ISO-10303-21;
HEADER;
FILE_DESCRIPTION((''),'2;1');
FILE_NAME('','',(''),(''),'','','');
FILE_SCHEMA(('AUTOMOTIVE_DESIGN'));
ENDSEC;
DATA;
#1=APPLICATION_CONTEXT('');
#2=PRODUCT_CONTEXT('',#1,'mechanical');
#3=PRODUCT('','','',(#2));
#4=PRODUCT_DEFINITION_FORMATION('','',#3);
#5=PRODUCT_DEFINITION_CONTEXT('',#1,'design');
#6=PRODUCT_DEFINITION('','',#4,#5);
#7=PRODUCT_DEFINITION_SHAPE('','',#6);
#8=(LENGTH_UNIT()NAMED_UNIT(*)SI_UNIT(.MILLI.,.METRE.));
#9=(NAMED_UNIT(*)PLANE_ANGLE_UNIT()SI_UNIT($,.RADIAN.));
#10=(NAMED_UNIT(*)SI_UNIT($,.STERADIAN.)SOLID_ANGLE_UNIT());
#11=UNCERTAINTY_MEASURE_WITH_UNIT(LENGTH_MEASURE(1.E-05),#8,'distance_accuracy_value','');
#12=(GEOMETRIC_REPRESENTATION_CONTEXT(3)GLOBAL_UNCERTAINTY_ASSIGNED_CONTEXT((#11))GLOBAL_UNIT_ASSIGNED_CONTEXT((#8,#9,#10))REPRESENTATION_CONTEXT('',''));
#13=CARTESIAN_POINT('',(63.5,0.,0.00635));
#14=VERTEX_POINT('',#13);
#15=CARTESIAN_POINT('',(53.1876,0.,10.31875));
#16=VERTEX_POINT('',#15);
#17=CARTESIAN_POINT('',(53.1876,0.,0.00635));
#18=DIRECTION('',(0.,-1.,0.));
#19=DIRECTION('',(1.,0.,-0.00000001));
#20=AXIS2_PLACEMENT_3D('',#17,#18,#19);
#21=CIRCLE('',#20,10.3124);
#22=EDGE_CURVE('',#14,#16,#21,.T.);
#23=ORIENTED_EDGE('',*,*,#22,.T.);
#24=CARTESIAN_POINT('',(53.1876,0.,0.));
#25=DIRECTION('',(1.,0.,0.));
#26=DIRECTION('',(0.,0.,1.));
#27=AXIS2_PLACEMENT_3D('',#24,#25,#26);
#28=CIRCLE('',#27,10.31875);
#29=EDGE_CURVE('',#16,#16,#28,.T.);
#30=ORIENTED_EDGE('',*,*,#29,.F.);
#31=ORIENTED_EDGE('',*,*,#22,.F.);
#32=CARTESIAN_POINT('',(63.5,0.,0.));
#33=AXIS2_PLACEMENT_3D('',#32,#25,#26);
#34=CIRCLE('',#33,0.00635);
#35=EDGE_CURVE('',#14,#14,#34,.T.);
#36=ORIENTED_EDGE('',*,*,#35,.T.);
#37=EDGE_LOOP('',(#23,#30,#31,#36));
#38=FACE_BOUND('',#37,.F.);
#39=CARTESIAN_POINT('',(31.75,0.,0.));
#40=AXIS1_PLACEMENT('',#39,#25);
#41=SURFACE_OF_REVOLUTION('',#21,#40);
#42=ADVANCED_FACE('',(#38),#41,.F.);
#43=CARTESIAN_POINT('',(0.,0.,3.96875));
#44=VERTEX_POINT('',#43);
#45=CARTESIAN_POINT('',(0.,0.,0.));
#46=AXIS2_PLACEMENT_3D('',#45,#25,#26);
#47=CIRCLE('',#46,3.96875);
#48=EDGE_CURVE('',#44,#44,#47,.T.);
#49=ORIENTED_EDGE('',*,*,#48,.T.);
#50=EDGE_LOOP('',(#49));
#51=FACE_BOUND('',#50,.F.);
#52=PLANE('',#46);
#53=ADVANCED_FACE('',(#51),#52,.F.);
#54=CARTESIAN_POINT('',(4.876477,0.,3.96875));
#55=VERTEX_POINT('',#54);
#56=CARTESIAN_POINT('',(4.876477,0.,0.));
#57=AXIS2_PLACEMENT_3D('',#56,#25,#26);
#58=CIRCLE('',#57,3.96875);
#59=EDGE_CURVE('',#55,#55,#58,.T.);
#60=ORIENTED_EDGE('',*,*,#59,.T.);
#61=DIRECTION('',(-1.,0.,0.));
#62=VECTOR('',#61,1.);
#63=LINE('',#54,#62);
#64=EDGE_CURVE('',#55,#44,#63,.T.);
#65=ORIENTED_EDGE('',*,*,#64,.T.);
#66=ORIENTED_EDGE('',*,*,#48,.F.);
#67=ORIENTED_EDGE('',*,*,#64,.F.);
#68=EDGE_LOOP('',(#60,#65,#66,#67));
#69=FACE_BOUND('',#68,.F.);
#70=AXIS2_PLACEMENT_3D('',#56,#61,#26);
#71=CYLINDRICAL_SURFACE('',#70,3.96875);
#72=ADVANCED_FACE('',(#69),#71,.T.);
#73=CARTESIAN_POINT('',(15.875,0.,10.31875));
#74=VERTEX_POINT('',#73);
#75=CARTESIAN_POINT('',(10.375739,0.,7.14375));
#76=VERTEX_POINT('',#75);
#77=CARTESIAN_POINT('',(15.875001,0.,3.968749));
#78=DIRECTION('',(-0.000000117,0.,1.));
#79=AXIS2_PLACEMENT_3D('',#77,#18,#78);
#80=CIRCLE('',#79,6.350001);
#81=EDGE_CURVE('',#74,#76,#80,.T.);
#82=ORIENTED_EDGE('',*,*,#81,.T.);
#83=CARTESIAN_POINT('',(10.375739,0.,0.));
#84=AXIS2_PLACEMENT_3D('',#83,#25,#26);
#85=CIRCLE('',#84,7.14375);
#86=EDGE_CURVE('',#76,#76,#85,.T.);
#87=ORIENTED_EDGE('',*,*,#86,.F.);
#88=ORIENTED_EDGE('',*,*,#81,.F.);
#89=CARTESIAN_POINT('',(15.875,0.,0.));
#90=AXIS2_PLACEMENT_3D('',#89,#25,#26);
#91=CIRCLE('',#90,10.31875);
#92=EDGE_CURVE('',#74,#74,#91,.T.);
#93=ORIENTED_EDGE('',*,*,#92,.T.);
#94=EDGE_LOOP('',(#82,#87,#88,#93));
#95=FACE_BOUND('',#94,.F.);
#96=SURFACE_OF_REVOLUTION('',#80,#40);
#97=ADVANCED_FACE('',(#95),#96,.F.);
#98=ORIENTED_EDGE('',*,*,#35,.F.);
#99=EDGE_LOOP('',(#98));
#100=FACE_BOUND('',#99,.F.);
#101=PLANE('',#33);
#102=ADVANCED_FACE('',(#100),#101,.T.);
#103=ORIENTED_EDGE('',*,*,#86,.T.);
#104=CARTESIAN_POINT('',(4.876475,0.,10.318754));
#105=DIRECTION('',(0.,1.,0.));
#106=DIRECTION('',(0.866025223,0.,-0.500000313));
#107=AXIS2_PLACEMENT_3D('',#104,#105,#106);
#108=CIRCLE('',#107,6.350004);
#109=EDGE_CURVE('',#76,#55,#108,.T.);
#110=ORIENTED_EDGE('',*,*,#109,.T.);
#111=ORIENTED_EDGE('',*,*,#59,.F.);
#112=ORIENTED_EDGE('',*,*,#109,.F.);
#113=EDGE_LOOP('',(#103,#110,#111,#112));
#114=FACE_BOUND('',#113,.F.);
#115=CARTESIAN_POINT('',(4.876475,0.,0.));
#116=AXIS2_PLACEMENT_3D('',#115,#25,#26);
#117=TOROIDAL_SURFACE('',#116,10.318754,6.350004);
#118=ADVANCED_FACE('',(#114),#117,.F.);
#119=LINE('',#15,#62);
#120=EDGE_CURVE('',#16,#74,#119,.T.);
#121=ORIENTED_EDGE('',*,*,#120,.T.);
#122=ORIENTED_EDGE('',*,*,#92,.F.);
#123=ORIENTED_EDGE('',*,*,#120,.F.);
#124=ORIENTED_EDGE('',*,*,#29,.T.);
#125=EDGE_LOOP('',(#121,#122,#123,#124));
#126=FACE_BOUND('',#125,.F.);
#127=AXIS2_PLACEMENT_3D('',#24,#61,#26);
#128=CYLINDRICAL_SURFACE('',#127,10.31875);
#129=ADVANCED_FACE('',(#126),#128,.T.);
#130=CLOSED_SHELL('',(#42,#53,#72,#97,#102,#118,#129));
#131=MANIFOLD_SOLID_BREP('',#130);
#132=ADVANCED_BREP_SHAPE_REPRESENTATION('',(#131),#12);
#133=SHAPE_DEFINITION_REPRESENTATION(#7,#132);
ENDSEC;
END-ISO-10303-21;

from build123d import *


with BuildPart() as f1:
    # F0 (on Front) → F1 (revolve)
    with BuildSketch(Plane.XZ):
        with BuildLine():
            Line((0, 3.96875), (0, 0))
            Line((0, 0), (63.5, 0))
            Line((63.5, 0), (63.5, 0.00635))
            ThreePointArc((63.5, 0.00635), (60.479568, 7.298318), (53.1876, 10.31875))
            Line((53.1876, 10.31875), (15.875, 10.31875))
            ThreePointArc((15.875, 10.31875), (12.7, 9.468011), (10.375739, 7.14375))
            ThreePointArc((10.375739, 7.14375), (8.051477, 4.819489), (4.876477, 3.96875))
            Line((4.876477, 3.96875), (3.175, 3.96875))
            Line((3.175, 3.96875), (0, 3.96875))
        make_face()
    revolve(axis=Axis((31.75, 0, 0), (1, 0, 0)))


solid = f1.part
